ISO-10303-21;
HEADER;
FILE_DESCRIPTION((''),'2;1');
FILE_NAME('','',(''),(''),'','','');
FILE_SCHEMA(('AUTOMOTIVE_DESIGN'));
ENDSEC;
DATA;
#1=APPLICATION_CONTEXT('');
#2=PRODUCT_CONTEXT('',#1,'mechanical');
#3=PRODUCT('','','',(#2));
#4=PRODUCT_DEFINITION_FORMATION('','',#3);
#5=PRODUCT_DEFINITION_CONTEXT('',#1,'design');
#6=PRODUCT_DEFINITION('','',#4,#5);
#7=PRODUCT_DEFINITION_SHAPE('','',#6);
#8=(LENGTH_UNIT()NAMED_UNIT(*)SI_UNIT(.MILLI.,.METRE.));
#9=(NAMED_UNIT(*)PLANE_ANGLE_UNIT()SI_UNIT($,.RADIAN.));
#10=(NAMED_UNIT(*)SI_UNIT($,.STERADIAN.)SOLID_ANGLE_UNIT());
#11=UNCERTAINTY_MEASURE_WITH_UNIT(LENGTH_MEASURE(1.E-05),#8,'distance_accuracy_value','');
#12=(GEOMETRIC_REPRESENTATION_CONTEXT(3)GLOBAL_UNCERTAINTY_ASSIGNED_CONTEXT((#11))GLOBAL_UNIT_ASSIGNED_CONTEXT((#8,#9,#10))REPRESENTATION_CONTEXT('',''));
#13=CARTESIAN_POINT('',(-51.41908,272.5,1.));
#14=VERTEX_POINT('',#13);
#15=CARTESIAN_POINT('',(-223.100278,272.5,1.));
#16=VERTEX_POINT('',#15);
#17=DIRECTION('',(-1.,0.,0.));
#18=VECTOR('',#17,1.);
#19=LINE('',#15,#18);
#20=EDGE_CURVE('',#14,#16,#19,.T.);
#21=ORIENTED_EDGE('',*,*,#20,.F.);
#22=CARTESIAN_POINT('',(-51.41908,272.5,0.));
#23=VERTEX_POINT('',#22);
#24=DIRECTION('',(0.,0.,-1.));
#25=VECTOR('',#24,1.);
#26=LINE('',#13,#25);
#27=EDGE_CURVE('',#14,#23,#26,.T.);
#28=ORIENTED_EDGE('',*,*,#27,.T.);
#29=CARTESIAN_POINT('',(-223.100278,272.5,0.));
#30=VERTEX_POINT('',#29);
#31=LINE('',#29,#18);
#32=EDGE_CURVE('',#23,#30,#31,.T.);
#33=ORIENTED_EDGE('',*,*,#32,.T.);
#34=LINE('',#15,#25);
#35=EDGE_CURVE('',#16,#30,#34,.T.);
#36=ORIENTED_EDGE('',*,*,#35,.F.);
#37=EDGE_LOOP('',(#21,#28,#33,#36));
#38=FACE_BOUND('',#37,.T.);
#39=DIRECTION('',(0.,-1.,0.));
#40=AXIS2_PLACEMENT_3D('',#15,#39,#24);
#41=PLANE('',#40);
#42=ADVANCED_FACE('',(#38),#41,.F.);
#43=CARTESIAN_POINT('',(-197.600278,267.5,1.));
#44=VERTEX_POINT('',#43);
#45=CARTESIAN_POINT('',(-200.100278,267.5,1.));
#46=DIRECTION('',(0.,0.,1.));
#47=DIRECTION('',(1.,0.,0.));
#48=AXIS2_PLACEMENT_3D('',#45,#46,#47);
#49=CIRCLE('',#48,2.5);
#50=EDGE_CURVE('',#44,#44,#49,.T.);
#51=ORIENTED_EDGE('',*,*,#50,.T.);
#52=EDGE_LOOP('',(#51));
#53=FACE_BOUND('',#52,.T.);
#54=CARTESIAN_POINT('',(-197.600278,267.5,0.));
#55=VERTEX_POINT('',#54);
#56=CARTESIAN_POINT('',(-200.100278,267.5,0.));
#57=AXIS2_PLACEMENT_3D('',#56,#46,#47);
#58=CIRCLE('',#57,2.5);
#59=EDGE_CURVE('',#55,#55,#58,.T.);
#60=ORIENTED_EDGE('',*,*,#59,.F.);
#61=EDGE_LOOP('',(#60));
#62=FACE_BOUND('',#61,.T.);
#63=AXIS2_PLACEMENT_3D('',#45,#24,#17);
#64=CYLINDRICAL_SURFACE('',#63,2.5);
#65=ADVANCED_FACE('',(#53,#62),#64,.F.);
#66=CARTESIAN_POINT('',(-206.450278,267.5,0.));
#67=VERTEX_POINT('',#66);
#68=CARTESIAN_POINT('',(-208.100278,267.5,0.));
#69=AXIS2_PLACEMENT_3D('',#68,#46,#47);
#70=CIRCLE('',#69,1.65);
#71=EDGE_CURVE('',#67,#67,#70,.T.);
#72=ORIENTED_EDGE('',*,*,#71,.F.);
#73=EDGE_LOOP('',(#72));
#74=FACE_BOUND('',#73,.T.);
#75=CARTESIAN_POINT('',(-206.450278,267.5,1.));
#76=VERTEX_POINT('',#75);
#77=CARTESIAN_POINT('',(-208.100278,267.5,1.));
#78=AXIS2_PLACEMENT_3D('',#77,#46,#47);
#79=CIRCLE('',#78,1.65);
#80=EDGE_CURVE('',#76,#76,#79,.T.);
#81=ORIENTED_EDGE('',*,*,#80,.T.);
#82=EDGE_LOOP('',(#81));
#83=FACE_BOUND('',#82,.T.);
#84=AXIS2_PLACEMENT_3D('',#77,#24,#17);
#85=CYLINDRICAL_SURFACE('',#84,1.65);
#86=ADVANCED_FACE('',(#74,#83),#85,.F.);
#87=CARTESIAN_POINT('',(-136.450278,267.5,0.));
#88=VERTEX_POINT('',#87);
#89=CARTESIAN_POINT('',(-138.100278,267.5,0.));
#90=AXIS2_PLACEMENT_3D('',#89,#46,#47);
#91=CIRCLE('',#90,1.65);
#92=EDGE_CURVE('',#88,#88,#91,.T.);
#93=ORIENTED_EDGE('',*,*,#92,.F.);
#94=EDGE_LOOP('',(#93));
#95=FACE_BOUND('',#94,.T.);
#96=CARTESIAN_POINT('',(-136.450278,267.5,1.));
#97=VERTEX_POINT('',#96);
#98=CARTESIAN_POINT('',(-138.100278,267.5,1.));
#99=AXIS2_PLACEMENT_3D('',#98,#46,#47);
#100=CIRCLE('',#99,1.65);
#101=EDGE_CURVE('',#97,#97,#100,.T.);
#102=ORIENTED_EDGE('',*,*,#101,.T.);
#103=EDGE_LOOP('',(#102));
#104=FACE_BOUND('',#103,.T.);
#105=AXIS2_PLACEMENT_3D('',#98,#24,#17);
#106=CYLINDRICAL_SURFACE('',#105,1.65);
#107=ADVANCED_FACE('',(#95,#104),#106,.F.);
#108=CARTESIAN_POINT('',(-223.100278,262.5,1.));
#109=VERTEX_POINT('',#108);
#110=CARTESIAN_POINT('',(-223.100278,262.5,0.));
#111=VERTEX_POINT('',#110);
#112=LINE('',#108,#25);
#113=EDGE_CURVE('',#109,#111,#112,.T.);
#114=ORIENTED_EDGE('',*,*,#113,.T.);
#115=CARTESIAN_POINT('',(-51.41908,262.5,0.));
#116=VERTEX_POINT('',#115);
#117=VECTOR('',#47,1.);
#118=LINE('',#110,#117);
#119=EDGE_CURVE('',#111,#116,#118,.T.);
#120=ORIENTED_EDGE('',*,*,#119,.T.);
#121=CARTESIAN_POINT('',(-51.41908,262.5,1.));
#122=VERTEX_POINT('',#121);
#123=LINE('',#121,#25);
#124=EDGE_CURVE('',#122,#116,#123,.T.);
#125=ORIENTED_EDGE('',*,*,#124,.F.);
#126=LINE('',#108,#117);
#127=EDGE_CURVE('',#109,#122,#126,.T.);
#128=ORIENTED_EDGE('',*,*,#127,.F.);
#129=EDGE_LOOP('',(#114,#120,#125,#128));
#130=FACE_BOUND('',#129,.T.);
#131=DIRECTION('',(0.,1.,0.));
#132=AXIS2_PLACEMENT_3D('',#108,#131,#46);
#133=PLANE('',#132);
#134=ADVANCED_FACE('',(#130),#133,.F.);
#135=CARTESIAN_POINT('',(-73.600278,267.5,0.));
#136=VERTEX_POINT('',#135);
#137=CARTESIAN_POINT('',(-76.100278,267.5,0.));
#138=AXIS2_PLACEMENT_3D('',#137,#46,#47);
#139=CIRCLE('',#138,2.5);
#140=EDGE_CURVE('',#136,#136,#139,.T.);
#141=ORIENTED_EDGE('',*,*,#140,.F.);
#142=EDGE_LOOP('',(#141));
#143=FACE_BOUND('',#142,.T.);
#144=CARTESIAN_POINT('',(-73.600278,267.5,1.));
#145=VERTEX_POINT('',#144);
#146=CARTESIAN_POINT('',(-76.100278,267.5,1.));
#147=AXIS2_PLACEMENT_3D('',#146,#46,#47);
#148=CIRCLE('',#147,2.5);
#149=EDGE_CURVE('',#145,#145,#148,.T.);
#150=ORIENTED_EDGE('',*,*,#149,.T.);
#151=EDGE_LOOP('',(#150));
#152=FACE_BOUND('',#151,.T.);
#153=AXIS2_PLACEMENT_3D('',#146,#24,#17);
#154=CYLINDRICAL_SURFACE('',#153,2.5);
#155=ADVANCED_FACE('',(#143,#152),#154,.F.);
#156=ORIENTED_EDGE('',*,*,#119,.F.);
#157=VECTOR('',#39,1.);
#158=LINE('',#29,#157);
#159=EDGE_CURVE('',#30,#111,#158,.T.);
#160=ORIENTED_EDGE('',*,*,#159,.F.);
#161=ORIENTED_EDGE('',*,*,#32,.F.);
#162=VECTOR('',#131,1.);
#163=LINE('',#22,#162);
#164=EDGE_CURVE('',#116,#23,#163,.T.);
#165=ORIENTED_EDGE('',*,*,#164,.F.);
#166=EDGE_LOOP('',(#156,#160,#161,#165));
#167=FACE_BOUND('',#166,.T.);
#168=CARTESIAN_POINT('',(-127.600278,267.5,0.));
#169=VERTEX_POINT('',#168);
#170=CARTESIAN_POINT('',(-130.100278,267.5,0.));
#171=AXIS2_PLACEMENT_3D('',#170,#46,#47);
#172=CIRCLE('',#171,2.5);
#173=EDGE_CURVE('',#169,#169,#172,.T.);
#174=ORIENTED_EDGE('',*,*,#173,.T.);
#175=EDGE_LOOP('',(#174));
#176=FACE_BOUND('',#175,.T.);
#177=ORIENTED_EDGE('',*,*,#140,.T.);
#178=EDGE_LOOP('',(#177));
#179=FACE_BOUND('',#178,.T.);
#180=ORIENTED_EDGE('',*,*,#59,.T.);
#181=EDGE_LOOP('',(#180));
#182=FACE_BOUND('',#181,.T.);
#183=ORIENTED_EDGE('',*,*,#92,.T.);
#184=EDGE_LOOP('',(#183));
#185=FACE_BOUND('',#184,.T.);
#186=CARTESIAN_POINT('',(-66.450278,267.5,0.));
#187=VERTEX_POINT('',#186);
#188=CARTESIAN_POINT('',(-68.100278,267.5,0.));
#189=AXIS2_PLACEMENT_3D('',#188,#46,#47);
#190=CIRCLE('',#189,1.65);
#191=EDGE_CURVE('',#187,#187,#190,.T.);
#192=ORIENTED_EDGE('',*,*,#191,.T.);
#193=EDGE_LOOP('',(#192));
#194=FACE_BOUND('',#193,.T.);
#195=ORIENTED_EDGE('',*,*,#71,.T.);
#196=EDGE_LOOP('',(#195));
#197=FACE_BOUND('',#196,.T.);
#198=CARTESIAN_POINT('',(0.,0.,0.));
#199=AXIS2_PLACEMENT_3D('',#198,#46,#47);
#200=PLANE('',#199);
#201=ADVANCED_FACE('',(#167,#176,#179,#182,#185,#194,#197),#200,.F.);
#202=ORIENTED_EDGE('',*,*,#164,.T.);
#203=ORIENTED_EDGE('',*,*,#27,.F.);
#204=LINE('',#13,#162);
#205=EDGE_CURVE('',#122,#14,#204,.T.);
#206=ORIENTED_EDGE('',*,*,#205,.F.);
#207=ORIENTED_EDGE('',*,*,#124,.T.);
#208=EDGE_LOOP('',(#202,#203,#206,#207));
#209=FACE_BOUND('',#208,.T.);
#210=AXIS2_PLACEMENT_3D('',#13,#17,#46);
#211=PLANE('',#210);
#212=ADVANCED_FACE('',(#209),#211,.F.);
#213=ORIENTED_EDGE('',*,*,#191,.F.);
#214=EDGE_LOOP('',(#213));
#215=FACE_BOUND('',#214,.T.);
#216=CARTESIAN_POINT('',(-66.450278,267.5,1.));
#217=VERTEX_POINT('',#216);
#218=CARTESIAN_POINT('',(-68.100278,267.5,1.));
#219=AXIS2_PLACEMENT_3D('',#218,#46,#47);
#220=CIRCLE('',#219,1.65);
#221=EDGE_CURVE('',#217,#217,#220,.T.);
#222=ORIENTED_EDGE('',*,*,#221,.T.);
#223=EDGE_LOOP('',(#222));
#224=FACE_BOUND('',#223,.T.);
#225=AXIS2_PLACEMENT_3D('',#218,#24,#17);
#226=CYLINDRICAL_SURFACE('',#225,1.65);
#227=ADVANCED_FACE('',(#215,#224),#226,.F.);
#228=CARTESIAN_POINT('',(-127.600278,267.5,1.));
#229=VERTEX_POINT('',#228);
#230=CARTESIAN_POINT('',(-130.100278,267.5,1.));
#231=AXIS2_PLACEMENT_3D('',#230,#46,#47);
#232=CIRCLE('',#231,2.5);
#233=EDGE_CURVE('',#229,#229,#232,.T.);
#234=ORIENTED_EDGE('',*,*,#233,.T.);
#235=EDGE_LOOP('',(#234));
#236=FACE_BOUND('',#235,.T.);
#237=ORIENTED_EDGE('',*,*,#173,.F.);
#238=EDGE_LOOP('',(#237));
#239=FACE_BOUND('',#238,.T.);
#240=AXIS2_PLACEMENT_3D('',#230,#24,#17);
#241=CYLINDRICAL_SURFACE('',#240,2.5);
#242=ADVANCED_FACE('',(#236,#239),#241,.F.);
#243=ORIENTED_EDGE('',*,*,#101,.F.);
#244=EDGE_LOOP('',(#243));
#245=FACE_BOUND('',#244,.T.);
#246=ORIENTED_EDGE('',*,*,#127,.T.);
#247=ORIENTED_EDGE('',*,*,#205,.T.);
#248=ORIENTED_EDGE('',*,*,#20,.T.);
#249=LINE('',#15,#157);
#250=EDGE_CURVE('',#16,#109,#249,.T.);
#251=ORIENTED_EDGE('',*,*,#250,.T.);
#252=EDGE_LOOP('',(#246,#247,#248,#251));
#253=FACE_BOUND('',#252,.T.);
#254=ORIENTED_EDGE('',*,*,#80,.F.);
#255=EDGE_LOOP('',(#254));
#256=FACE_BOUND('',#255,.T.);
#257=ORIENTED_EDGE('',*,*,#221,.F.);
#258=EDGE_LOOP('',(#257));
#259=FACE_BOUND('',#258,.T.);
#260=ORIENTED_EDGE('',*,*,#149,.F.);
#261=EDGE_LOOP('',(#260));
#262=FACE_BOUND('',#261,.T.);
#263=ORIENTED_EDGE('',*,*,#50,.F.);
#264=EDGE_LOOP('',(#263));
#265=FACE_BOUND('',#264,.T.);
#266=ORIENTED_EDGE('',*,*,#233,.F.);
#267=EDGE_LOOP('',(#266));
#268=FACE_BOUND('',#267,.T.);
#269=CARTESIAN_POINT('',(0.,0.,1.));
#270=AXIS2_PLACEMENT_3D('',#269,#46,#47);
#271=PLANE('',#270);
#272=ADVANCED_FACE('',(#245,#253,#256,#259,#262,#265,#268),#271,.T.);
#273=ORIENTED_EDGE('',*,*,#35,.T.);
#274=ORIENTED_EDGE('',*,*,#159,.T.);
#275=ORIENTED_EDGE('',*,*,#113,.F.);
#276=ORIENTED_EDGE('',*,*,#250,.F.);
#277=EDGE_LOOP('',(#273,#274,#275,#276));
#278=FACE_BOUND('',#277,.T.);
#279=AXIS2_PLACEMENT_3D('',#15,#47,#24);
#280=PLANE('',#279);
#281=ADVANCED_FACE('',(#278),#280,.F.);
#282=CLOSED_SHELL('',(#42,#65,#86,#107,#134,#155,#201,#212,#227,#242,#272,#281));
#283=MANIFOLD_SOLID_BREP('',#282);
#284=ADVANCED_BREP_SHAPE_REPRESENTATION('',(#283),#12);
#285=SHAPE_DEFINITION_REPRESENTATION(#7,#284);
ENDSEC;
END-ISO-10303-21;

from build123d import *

# Parameters (mm, degrees)
SKETCH1_W           = 171.681197847
SKETCH1_H           = 10
SKETCH1_R           = 2.5
SKETCH1_R_2         = 1.65
BOSS_EXTRUDE1_DEPTH = 1


with BuildPart() as part:
    # Sketch1 → Boss-Extrude1 (new body)
    with BuildSketch(Plane.XY):
        with Locations((-137.259678888, 267.5)):
            Rectangle(SKETCH1_W, SKETCH1_H)
        with Locations((-200.100277812, 267.5)):
            Circle(SKETCH1_R, mode=Mode.SUBTRACT)
        with Locations((-208.100277812, 267.5)):
            Circle(SKETCH1_R_2, mode=Mode.SUBTRACT)
        with Locations((-138.100277812, 267.5)):
            Circle(SKETCH1_R_2, mode=Mode.SUBTRACT)
        with Locations((-130.100277811, 267.5)):
            Circle(SKETCH1_R, mode=Mode.SUBTRACT)
        with Locations((-76.100277812, 267.5)):
            Circle(SKETCH1_R, mode=Mode.SUBTRACT)
        with Locations((-68.100277811, 267.5)):
            Circle(SKETCH1_R_2, mode=Mode.SUBTRACT)
    extrude(amount=BOSS_EXTRUDE1_DEPTH)


solid = part.part
